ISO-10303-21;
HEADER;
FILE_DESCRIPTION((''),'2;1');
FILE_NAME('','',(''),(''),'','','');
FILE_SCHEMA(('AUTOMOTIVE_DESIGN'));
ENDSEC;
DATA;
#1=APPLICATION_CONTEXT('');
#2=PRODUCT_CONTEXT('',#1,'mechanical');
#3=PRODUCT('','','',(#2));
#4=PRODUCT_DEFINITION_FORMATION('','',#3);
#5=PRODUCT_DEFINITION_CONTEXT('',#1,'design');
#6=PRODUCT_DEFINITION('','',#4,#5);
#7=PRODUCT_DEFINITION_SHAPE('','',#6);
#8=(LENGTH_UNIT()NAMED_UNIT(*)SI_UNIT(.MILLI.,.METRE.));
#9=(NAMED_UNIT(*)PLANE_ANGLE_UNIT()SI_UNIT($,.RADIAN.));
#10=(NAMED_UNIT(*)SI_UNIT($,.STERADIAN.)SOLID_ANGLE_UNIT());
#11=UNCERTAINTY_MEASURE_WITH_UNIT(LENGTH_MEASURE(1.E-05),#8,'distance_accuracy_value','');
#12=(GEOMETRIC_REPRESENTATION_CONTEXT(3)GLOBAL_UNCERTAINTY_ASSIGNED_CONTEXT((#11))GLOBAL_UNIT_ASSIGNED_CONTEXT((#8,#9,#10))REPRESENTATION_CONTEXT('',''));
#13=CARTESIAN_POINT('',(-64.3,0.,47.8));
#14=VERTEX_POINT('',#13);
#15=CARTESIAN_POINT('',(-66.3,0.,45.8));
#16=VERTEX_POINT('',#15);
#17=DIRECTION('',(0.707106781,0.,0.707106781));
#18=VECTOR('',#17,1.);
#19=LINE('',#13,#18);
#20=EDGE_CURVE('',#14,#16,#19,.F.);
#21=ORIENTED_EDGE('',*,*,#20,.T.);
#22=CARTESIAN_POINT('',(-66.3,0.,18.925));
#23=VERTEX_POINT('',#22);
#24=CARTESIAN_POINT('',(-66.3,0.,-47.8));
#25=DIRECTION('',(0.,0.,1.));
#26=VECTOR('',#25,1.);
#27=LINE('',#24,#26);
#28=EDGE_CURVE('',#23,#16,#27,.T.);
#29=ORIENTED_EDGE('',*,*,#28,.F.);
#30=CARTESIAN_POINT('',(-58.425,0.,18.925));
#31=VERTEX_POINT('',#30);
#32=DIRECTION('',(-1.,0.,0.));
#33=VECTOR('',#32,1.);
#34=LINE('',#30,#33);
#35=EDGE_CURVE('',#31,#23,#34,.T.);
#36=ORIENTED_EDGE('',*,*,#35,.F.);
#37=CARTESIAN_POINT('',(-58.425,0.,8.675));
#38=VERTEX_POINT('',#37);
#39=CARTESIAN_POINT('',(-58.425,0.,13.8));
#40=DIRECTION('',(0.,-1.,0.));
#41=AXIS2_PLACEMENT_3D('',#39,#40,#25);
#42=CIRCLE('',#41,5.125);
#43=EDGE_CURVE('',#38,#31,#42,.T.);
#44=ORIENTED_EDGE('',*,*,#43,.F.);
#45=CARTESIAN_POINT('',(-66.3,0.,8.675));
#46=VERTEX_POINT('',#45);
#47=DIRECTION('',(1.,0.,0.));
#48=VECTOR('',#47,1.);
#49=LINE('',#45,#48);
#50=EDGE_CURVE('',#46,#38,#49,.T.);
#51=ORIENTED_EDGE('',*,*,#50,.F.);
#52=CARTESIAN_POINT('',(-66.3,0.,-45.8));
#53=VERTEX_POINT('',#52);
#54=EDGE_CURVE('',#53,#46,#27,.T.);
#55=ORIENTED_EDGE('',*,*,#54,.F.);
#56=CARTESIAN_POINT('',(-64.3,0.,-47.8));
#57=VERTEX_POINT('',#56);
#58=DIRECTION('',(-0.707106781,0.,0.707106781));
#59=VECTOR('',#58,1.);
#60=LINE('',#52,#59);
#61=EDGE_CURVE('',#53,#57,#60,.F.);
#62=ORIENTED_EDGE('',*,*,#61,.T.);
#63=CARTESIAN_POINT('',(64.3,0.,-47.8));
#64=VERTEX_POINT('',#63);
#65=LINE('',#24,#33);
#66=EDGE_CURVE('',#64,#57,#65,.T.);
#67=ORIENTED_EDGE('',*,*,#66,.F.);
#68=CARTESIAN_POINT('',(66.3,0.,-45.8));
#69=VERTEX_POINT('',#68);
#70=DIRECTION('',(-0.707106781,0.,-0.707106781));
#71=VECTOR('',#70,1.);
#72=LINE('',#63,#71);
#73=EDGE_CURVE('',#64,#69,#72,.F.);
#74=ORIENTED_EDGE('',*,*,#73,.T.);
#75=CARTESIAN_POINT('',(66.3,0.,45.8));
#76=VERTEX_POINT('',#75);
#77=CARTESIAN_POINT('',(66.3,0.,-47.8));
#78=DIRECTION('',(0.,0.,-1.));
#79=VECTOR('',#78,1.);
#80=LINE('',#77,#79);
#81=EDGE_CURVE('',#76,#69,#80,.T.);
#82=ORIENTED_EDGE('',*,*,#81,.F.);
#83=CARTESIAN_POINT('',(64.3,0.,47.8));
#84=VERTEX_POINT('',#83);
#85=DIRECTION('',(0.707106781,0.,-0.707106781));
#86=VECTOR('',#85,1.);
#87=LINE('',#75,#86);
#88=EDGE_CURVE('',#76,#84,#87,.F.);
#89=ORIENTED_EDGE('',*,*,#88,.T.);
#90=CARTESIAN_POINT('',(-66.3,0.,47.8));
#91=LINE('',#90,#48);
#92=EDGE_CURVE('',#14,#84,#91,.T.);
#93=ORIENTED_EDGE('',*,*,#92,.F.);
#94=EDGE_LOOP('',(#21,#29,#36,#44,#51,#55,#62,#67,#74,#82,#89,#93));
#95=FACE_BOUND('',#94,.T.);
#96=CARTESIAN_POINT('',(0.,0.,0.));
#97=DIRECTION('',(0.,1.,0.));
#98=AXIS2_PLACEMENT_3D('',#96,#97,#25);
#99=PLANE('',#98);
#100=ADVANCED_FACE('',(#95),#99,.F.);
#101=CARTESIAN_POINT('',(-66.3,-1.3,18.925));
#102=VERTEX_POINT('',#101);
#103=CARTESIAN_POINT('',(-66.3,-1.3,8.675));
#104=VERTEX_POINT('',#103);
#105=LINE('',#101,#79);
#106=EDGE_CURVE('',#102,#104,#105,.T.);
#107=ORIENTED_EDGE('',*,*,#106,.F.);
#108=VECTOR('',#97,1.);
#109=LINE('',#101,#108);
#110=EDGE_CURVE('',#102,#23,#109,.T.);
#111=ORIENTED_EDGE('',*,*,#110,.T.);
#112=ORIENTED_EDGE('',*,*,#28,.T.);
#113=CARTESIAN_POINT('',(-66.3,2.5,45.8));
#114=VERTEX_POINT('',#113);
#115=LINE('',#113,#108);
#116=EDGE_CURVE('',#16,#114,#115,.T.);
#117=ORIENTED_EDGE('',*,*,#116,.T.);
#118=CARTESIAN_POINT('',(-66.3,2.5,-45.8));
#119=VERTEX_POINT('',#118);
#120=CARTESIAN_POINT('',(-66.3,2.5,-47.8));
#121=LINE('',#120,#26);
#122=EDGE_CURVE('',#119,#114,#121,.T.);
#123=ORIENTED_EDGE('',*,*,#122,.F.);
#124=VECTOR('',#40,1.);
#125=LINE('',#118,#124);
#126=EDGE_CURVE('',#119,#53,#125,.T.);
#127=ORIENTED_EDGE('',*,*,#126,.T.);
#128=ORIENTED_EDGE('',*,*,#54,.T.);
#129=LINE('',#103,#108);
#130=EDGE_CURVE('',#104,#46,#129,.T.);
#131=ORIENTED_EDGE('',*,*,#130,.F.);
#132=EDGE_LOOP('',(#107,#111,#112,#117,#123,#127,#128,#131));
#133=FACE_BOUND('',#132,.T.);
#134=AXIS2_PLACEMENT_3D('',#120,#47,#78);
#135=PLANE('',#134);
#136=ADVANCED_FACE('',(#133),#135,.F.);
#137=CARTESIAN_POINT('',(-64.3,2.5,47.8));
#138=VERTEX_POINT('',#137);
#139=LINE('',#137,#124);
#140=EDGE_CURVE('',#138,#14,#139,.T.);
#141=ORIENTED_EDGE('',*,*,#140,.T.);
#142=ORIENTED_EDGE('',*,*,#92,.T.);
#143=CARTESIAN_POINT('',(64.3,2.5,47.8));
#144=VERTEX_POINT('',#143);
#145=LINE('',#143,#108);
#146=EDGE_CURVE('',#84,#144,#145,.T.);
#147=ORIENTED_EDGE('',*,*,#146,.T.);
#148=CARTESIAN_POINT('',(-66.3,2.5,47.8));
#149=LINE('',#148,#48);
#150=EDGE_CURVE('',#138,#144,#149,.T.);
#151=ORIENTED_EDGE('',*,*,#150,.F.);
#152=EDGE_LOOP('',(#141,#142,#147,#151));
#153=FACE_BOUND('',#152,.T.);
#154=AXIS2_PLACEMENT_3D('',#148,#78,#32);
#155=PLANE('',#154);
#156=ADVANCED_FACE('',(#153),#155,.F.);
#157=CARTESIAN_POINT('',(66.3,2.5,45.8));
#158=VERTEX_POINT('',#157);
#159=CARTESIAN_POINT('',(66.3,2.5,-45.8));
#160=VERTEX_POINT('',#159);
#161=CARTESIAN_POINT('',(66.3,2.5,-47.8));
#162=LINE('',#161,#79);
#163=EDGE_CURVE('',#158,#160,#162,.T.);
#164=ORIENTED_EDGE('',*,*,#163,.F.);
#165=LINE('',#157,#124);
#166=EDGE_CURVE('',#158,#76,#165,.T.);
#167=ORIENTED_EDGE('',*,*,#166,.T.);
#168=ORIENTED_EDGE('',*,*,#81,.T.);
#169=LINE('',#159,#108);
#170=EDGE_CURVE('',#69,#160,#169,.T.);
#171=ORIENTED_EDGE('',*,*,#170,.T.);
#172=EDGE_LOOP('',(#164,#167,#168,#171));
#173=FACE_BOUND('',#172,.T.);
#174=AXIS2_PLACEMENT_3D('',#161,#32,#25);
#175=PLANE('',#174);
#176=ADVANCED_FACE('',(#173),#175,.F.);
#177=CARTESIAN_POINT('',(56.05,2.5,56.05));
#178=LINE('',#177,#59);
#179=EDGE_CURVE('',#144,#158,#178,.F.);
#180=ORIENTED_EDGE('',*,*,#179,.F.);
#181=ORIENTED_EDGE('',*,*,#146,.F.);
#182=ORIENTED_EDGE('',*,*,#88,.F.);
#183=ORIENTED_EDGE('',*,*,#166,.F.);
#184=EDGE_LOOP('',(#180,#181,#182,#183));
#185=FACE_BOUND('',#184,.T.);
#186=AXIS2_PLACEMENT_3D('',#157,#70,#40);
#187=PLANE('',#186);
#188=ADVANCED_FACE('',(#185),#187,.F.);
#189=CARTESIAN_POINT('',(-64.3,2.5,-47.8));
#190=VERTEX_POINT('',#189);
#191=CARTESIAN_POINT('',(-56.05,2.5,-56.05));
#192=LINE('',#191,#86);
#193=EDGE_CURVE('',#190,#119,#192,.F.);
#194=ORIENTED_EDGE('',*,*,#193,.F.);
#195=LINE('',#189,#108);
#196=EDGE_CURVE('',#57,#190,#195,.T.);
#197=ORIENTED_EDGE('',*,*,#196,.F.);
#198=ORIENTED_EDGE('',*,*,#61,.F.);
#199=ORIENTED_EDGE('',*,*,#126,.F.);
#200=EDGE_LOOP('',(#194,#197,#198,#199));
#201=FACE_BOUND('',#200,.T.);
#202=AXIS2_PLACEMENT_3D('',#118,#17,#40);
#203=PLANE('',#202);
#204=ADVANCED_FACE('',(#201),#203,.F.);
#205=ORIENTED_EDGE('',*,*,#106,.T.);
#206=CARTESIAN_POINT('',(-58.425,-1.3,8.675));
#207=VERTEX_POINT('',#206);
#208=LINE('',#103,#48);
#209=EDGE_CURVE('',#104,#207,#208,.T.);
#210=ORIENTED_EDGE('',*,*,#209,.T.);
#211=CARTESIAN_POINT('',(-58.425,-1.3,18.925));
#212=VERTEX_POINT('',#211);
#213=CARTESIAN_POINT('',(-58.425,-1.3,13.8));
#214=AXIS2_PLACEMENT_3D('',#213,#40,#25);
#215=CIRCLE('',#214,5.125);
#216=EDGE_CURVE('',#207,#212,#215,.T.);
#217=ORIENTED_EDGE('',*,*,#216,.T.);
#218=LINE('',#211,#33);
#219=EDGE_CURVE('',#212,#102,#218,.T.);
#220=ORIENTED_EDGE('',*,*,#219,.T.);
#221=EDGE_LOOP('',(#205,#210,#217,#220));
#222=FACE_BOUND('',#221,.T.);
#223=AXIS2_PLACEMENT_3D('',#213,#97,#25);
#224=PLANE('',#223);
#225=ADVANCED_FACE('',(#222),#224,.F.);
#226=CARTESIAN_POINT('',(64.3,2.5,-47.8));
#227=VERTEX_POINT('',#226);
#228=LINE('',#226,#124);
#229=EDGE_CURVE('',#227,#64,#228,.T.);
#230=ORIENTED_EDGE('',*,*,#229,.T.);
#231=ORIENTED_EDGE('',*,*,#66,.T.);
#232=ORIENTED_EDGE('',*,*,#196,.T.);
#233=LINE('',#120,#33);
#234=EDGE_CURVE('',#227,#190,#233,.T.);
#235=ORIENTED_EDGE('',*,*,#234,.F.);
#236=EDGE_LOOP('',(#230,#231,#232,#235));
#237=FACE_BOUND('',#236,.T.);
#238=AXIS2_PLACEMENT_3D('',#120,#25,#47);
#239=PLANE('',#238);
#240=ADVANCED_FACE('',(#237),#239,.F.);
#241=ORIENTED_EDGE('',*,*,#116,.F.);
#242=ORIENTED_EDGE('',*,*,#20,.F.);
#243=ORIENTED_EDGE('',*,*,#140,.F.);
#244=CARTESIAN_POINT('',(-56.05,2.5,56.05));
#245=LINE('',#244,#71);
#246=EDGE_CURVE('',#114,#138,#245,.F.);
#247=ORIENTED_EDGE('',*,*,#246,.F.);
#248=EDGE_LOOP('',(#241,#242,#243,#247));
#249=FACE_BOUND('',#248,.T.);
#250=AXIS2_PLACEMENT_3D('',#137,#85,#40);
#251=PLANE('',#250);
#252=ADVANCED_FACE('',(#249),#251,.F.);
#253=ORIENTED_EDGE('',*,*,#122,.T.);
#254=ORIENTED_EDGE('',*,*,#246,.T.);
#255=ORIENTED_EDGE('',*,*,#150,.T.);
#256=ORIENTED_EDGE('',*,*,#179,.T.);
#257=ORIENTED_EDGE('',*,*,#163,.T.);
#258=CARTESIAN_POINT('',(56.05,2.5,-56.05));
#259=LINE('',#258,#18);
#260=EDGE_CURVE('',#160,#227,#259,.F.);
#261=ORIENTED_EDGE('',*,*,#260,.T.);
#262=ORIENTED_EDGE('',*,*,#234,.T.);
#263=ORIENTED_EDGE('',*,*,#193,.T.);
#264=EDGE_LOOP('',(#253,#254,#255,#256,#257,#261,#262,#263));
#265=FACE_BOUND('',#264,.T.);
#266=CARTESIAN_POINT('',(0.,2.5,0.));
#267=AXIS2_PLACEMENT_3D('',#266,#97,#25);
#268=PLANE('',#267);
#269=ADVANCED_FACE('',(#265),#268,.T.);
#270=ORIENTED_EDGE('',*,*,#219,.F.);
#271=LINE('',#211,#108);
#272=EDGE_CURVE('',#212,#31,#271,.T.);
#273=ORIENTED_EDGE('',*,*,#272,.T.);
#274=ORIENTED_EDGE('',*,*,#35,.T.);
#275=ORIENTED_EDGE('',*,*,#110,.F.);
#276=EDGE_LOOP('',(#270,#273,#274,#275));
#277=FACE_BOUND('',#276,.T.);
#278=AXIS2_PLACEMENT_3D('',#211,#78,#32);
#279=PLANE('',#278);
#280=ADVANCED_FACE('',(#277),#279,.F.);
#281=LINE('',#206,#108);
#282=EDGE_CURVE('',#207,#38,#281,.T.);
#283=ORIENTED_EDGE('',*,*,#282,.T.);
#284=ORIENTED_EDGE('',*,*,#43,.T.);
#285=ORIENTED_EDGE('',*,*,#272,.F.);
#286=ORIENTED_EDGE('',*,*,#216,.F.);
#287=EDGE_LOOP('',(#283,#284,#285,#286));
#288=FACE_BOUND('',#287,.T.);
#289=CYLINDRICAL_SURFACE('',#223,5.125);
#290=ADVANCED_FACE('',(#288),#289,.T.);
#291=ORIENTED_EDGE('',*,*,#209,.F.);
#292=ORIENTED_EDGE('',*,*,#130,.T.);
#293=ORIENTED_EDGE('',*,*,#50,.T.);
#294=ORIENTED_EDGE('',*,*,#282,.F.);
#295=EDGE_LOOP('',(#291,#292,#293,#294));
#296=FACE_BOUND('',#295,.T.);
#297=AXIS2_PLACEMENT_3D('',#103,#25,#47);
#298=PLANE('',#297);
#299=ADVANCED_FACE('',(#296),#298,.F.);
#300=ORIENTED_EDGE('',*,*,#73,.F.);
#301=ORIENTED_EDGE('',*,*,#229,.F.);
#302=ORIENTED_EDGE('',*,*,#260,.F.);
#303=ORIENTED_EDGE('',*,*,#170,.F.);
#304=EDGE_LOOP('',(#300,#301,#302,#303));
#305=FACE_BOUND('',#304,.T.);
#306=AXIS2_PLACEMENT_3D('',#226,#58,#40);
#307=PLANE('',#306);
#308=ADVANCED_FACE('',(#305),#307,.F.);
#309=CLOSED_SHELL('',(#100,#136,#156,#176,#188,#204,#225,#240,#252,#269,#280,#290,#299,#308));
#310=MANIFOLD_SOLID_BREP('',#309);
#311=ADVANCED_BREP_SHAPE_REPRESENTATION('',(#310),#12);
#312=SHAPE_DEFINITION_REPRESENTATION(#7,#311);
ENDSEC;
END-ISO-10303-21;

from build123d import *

# Parameters (mm, degrees)
SKETCH2_W           = 132.6
SKETCH2_H           = 95.6
BOSS_EXTRUDE1_DEPTH = 2.5
CHAMFER1_SIZE       = 2
BOSS_EXTRUDE2_DEPTH = 1.3


with BuildPart() as part:
    # Sketch2 → Boss-Extrude1 (new body)
    with BuildSketch(Plane(origin=(0, 0, 0), x_dir=(1, 0, 0), z_dir=(0, 1, 0))):
        Rectangle(SKETCH2_W, SKETCH2_H)
    extrude(amount=BOSS_EXTRUDE1_DEPTH)

    # Chamfer1
    chamfer1_edges = [part.edges().sort_by_distance(p)[0] for p in [
        (66.3, 1.25, 47.8),
        (-66.3, 1.25, 47.8),
        (-66.3, 1.25, -47.8),
        (66.3, 1.25, -47.8),
    ]]
    chamfer(chamfer1_edges, length=CHAMFER1_SIZE)

    # Sketch3 → Boss-Extrude2 (add)
    with BuildSketch(Plane.XZ):
        with BuildLine():
            Line((-58.425, 18.925), (-66.3, 18.925))
            Line((-66.3, 18.925), (-66.3, 8.675))
            Line((-66.3, 8.675), (-58.425, 8.675))
            ThreePointArc((-58.425, 8.675), (-53.3, 13.8), (-58.425, 18.925))
        make_face()
    extrude(amount=BOSS_EXTRUDE2_DEPTH)


solid = part.part
